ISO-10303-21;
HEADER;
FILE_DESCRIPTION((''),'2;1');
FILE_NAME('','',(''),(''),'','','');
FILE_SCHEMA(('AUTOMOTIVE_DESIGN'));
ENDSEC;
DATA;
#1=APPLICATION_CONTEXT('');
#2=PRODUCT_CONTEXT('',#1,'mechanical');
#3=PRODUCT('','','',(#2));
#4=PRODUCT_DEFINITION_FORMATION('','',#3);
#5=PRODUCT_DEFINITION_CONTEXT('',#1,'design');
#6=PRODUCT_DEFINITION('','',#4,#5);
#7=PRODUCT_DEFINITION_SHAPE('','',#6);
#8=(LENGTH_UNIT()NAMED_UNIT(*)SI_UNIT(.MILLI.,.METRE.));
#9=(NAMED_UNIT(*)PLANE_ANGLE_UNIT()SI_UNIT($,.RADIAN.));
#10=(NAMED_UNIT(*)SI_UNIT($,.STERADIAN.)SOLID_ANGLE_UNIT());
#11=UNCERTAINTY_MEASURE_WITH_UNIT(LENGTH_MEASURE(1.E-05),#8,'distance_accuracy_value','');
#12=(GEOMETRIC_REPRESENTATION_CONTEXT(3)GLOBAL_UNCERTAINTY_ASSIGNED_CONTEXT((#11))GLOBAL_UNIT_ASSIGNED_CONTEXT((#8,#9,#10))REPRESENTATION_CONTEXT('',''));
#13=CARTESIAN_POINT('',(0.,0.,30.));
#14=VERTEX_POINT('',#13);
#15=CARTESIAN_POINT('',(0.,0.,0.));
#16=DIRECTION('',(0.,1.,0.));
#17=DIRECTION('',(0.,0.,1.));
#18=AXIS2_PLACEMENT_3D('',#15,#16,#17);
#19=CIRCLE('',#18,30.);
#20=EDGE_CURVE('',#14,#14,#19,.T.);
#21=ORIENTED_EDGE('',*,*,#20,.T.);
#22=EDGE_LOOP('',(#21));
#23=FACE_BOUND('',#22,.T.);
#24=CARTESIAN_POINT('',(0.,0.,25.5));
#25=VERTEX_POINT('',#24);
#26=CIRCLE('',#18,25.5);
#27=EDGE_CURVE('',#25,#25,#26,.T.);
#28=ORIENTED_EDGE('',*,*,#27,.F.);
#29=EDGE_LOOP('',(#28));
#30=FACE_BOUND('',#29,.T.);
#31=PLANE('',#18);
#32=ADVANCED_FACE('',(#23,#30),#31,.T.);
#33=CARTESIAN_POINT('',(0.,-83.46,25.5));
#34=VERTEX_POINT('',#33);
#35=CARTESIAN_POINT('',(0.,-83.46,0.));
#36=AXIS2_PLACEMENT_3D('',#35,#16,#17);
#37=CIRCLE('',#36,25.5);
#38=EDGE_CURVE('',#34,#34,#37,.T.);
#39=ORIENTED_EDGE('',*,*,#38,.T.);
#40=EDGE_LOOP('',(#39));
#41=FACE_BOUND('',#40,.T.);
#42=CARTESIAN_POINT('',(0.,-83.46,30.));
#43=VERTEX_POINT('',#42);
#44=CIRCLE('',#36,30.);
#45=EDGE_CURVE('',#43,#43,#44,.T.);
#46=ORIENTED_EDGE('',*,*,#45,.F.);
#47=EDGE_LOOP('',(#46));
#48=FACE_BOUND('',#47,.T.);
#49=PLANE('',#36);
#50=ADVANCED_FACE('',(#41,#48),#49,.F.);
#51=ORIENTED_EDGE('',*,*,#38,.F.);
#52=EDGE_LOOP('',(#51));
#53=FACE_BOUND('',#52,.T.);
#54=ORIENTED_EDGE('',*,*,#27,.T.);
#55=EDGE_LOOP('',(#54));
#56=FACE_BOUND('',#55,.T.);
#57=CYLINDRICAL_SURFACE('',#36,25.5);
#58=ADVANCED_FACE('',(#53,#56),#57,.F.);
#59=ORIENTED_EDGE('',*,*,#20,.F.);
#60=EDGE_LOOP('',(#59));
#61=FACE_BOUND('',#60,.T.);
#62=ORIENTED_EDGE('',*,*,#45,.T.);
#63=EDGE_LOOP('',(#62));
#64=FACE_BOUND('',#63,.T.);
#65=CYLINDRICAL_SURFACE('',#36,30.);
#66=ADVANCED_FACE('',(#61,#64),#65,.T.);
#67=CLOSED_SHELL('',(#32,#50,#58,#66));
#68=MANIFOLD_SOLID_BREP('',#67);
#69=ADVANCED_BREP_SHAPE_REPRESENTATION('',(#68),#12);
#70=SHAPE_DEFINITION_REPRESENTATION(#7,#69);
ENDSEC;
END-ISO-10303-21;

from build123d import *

# Parameters (mm, degrees)
SKETCH_1_R          = 30
EXTRUDE_1_DEPTH     = 83.46
SKETCH_2_R          = 25.5
CUT_EXTRUDE_1_DEPTH = 83.46


with BuildPart() as part:
    # 스케치1 → 보스-돌출1 (new body)
    with BuildSketch(Plane(origin=(0, 0, 0), x_dir=(1, 0, 0), z_dir=(0, 1, 0))):
        with Locations(Location((0, 0, 0), (0, 0, 270))):
            Circle(SKETCH_1_R)
    extrude(amount=-EXTRUDE_1_DEPTH)

    # 스케치2 → 컷-돌출1 (cut)
    with BuildSketch(Plane(origin=(0, 0, 0), x_dir=(1, 0, 0), z_dir=(0, 1, 0))):
        with Locations(Location((0, 0, 0), (0, 0, 270))):
            Circle(SKETCH_2_R)
    extrude(amount=-CUT_EXTRUDE_1_DEPTH, mode=Mode.SUBTRACT)


solid = part.part
